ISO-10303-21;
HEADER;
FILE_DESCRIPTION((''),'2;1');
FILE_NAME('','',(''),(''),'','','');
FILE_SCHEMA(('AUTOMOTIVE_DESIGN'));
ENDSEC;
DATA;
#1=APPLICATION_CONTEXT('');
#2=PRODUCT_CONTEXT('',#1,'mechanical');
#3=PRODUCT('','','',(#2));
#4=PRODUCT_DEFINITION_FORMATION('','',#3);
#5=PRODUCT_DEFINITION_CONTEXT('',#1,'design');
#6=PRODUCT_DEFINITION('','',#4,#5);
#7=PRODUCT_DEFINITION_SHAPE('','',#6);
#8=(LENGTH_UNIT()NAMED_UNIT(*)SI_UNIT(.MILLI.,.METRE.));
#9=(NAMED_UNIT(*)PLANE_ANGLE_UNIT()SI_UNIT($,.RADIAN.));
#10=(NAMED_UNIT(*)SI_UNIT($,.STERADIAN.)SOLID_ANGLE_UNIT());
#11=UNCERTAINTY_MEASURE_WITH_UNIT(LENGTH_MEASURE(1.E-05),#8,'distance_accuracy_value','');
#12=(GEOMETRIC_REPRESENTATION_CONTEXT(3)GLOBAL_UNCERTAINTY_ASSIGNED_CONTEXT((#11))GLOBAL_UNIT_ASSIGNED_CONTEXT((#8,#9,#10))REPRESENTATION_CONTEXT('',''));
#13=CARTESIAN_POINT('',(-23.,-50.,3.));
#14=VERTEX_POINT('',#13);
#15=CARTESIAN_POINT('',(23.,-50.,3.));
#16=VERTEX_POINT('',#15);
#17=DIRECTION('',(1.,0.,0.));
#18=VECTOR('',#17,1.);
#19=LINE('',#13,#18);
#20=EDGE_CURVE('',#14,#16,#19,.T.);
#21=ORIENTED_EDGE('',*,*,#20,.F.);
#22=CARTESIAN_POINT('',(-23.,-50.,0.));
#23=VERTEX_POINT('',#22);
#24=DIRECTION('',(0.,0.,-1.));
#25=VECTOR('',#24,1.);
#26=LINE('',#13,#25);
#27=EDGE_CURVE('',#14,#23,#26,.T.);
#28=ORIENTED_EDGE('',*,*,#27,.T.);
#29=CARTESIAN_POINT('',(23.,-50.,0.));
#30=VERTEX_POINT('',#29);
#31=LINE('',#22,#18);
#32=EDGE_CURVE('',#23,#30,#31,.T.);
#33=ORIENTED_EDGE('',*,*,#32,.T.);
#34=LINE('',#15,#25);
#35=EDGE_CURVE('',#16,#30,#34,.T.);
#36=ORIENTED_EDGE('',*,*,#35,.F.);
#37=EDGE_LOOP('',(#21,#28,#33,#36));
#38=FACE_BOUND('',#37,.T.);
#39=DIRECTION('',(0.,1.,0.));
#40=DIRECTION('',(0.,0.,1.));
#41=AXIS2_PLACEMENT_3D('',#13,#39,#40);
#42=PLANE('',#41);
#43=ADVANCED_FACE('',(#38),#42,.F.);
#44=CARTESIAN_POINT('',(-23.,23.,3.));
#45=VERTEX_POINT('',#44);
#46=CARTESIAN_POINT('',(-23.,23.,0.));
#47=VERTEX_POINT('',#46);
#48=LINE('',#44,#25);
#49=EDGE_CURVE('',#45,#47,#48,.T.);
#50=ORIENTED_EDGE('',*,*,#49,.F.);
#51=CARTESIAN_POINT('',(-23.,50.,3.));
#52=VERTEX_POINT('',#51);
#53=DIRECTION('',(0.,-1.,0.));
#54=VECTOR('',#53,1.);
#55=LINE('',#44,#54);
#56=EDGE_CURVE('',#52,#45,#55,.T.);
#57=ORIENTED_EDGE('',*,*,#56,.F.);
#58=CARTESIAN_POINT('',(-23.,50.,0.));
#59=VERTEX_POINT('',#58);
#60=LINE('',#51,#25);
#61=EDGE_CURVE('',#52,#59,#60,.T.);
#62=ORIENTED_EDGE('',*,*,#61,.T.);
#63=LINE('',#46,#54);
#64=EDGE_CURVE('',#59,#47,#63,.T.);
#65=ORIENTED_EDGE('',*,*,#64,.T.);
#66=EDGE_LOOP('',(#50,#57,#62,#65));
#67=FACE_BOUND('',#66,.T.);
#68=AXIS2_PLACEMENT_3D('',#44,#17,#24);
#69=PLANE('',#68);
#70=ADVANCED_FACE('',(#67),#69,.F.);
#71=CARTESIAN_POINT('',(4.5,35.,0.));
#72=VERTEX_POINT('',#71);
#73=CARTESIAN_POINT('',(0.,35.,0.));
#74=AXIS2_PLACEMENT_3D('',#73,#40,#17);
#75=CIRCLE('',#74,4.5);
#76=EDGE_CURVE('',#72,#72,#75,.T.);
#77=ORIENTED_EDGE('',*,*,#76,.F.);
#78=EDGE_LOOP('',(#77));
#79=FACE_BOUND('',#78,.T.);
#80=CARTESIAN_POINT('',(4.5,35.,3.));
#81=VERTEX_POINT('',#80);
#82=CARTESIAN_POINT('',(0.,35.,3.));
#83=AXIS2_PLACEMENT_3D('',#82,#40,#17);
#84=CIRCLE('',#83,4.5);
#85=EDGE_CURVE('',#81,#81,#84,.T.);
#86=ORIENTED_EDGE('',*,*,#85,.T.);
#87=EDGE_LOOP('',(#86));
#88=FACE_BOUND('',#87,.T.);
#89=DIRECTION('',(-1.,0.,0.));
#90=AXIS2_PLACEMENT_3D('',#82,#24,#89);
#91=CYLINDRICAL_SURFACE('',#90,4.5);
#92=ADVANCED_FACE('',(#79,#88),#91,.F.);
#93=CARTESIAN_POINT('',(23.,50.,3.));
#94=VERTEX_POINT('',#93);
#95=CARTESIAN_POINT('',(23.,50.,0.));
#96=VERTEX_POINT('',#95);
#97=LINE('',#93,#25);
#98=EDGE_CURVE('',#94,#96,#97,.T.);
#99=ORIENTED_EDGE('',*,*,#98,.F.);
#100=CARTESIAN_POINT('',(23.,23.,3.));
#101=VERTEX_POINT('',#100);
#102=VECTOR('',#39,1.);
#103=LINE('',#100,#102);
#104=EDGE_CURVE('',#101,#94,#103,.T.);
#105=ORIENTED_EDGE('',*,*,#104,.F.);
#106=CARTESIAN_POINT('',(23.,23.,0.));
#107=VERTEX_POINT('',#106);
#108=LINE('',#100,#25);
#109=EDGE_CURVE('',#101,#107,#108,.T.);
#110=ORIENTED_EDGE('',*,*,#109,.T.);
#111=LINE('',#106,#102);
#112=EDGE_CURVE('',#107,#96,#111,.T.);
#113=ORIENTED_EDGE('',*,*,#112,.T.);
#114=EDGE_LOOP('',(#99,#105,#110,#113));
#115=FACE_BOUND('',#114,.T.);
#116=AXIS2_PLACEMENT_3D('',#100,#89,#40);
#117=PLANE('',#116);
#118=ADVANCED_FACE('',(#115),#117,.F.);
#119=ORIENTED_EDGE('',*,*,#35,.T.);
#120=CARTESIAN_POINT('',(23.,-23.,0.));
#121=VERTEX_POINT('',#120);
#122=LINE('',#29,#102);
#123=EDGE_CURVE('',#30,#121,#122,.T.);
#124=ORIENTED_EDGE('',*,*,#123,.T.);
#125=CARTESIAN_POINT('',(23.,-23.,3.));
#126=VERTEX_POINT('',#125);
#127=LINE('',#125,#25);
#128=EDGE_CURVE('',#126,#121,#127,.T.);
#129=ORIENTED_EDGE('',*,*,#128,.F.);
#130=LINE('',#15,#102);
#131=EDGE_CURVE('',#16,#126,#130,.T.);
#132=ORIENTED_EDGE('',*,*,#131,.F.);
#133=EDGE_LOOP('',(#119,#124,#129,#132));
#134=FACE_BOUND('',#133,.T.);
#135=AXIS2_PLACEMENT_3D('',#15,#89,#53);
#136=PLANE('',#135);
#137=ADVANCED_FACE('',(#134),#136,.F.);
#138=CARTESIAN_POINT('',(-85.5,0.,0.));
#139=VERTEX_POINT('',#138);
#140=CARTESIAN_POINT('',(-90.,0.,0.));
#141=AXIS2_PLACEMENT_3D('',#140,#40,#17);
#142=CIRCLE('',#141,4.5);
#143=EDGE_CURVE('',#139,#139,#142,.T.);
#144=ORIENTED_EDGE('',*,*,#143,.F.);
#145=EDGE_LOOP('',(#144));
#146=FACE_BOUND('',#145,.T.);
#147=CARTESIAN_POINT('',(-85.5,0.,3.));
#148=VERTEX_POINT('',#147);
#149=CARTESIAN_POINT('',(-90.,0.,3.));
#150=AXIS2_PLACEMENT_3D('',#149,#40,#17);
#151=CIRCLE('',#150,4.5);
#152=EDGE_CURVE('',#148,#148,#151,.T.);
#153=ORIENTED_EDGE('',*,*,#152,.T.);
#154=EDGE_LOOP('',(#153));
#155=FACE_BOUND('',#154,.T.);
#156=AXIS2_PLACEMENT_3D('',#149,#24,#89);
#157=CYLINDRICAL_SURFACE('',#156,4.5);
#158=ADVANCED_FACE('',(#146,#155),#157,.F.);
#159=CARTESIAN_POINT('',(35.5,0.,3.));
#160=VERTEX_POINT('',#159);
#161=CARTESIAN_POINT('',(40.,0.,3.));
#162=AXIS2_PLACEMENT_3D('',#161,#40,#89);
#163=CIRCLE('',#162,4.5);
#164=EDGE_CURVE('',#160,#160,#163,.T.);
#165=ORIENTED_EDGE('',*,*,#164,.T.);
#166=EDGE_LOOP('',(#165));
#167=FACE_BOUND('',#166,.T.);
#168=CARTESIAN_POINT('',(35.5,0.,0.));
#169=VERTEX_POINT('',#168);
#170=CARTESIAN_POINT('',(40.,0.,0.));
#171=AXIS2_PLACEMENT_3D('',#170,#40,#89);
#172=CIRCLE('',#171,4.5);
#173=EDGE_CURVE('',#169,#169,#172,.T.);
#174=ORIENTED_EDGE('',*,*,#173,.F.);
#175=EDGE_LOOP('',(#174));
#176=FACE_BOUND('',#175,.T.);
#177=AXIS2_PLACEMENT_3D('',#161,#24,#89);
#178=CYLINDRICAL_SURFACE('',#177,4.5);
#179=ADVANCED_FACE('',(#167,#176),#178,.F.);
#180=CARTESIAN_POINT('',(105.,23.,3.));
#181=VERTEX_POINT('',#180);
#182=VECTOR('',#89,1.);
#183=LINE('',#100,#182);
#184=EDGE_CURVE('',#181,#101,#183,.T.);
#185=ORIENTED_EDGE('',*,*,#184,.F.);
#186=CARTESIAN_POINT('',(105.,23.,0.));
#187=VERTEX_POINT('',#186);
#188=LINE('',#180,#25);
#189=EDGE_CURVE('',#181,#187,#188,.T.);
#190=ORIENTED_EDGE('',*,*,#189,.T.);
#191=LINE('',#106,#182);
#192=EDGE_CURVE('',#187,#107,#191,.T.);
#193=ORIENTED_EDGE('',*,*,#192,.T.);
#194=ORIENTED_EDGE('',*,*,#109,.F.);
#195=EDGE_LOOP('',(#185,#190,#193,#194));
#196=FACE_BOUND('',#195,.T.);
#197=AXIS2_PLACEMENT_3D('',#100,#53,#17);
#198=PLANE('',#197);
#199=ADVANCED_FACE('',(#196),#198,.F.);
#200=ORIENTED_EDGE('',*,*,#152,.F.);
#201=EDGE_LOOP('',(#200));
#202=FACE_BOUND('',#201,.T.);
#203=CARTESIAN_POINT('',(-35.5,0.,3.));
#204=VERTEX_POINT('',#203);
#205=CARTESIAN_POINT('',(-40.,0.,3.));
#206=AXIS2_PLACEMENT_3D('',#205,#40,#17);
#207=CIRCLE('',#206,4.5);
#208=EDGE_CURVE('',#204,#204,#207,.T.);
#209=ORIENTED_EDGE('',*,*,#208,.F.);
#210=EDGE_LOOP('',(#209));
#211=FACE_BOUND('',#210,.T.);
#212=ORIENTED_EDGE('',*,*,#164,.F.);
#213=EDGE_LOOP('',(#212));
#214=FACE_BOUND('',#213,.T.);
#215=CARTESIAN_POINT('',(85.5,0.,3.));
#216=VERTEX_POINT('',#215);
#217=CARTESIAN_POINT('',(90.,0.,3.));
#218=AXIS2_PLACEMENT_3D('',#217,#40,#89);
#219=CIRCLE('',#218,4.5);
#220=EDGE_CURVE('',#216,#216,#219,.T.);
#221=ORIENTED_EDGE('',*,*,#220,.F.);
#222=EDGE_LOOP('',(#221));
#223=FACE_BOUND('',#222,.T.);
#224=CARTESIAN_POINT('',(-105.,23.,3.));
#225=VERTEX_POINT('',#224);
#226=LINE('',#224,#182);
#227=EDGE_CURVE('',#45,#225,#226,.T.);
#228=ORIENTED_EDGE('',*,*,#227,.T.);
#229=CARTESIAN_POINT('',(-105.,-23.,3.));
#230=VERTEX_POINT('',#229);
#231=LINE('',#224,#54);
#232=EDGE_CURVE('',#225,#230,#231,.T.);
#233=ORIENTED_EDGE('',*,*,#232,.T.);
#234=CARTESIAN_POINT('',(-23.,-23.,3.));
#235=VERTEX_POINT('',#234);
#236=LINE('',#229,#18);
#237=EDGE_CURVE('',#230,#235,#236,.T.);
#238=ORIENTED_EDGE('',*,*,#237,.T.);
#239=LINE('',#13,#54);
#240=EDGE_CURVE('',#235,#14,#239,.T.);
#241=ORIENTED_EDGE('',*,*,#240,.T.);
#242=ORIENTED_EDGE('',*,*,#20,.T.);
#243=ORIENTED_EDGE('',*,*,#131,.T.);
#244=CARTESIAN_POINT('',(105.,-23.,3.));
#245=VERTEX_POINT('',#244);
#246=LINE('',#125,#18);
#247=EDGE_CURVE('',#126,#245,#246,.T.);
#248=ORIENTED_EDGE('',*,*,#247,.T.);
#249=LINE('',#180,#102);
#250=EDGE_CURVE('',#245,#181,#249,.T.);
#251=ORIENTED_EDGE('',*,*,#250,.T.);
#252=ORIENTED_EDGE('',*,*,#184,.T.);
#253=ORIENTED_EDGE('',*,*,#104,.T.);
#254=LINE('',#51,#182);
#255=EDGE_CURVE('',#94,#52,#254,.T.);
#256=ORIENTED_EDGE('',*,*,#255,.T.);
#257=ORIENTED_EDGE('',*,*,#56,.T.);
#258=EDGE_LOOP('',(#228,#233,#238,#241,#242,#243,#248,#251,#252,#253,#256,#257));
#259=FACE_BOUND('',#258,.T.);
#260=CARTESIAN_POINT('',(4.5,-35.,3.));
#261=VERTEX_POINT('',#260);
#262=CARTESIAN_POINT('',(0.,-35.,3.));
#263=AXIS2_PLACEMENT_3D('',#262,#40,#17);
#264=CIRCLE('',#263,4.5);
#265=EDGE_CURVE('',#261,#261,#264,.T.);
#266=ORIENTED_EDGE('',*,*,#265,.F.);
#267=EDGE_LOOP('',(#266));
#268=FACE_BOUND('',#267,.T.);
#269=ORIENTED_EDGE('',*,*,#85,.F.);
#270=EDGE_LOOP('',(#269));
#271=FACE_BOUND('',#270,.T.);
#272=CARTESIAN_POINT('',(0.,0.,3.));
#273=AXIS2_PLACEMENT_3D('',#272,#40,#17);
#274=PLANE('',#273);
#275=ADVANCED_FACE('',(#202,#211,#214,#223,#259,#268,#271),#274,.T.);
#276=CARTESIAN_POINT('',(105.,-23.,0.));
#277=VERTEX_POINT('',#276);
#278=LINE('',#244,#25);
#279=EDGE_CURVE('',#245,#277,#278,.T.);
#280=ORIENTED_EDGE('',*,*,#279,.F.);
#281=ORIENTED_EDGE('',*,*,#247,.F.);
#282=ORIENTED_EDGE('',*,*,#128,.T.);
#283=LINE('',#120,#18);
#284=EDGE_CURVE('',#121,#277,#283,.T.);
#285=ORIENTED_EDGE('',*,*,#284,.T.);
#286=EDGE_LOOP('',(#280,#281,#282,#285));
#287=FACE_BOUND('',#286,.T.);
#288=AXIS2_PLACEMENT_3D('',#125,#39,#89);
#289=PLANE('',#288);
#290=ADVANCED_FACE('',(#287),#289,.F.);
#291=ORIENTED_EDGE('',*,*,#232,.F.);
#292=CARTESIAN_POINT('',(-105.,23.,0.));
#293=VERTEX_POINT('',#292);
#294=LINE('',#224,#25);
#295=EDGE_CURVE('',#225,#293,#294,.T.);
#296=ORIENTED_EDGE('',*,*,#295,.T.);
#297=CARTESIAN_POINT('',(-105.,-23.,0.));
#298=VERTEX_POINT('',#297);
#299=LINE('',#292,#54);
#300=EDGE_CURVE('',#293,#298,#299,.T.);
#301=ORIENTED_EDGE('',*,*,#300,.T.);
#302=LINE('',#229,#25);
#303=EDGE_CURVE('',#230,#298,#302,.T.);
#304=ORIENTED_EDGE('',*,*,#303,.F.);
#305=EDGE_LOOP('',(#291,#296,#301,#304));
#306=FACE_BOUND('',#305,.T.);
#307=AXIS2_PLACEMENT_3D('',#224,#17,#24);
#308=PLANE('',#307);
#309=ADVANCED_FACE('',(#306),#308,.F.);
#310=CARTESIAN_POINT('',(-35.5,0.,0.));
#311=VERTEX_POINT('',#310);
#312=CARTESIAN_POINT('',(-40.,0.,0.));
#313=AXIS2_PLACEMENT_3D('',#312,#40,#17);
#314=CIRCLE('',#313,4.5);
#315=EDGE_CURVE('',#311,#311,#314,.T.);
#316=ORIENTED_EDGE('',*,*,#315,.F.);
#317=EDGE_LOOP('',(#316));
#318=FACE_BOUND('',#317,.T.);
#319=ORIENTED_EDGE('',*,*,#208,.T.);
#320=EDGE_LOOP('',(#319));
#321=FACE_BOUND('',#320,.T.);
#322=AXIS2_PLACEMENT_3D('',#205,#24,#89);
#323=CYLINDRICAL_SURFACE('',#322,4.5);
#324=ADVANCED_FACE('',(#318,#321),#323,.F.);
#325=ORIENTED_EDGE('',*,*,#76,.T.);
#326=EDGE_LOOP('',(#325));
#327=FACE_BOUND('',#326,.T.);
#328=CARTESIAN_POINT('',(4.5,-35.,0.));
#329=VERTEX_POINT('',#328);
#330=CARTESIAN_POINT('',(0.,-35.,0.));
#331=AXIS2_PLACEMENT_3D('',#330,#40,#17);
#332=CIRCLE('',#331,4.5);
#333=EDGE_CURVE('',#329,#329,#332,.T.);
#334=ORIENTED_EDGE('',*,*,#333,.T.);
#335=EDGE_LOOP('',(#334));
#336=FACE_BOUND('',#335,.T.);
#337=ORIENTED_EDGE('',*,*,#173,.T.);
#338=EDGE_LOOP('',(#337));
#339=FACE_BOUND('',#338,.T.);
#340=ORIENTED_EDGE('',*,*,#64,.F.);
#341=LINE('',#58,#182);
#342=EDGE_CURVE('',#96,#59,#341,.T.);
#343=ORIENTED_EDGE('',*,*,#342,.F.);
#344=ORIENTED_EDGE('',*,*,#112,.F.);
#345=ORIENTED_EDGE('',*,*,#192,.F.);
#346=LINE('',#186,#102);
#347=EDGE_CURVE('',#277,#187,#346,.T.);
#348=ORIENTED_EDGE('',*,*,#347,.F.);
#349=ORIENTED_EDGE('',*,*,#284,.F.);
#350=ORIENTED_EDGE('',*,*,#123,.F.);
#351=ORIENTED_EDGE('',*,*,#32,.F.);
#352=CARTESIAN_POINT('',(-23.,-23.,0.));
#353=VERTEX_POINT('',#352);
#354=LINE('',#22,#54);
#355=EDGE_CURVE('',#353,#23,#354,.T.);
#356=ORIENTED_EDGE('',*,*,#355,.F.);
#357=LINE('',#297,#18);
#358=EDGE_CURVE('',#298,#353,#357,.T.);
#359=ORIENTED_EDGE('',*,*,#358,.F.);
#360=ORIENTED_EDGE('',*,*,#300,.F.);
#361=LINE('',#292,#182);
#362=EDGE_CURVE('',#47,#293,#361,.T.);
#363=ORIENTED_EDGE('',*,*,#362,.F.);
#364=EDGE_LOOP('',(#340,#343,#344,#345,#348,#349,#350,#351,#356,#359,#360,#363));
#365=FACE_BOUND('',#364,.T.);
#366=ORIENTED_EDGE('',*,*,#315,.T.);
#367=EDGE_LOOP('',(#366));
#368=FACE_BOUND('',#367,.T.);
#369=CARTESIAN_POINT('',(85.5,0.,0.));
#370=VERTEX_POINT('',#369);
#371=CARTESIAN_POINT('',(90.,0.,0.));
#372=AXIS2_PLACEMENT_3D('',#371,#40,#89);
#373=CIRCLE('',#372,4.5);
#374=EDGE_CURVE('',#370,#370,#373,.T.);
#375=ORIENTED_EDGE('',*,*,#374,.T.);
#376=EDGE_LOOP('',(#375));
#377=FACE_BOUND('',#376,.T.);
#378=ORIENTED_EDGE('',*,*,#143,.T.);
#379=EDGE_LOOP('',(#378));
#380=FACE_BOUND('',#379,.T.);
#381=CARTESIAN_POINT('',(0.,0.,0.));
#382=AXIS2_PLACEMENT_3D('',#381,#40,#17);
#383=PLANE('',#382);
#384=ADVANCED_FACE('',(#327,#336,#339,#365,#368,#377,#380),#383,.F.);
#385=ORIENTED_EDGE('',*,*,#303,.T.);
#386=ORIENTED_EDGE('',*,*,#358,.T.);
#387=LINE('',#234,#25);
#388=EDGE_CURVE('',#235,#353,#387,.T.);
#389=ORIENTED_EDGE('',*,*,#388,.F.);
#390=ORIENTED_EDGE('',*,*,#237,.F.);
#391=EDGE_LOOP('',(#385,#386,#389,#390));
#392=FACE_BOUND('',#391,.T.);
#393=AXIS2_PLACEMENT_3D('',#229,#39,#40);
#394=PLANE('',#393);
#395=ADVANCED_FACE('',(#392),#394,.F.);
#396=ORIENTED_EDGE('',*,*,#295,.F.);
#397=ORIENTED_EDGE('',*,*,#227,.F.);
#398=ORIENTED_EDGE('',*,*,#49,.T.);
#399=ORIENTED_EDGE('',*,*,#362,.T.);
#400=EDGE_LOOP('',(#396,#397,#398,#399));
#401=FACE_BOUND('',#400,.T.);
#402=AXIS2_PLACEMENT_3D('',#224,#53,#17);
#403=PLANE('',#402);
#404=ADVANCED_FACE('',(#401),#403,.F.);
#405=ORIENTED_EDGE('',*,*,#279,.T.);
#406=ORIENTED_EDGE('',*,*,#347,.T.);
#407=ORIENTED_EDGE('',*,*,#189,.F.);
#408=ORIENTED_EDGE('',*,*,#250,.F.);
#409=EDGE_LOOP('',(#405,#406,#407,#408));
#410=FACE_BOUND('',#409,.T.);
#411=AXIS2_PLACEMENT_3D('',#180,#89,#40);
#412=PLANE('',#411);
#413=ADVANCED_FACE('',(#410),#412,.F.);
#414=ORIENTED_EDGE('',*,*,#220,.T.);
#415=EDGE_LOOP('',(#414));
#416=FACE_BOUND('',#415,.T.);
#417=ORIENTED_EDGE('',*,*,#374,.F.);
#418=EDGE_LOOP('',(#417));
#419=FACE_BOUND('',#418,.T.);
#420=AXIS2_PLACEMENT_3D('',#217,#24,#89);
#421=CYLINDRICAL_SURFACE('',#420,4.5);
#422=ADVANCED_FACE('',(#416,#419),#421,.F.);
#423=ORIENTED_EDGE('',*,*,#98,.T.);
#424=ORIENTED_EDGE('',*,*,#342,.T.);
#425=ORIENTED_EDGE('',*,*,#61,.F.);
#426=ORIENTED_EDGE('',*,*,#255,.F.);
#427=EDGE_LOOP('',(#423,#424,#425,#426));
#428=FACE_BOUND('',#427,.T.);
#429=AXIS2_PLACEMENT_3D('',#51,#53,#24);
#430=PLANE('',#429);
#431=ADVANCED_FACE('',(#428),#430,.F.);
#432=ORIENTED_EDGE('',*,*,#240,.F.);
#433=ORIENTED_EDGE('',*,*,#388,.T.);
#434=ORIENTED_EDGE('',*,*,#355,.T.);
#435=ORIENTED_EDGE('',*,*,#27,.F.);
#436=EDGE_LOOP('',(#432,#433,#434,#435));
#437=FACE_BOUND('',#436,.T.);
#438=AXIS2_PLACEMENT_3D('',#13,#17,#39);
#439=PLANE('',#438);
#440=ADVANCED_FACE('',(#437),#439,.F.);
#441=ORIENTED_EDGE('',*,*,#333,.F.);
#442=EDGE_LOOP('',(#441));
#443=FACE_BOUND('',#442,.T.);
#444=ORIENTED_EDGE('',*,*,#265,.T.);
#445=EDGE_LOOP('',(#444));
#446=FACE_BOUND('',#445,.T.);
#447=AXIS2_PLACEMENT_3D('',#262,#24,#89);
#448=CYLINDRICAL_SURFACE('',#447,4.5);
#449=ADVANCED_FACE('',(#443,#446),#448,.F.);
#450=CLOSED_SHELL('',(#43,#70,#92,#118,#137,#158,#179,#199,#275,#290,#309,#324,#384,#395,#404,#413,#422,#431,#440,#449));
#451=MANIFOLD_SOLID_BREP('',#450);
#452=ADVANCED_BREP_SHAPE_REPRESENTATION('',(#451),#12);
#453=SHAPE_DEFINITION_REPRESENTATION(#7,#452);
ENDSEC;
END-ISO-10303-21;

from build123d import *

# Parameters (mm, degrees)
SKETCH_1_R      = 4.5
EXTRUDE_1_DEPTH = 3


with BuildPart() as part:
    # Эскиз1 → Бобышка-Вытянуть1 (new body)
    with BuildSketch(Plane.XY):
        Polygon((23, -23), (105, -23), (105, 23), (23, 23), (23, 50), (-23, 50), (-23, 23), (-105, 23), (-105, -23), (-23, -23), (-23, -50), (23, -50), align=None)
        with Locations((0, 35)):
            Circle(SKETCH_1_R, mode=Mode.SUBTRACT)
        with Locations((0, -35)):
            Circle(SKETCH_1_R, mode=Mode.SUBTRACT)
        with Locations((-90, 0)):
            Circle(SKETCH_1_R, mode=Mode.SUBTRACT)
        with Locations((-40, 0)):
            Circle(SKETCH_1_R, mode=Mode.SUBTRACT)
        with Locations(Location((40, 0, 0), (0, 0, 180))):  # turned: the seam where the file's is
            Circle(SKETCH_1_R, mode=Mode.SUBTRACT)
        with Locations(Location((90, 0, 0), (0, 0, 180))):  # turned: the seam where the file's is
            Circle(SKETCH_1_R, mode=Mode.SUBTRACT)
    extrude(amount=EXTRUDE_1_DEPTH)


solid = part.part
